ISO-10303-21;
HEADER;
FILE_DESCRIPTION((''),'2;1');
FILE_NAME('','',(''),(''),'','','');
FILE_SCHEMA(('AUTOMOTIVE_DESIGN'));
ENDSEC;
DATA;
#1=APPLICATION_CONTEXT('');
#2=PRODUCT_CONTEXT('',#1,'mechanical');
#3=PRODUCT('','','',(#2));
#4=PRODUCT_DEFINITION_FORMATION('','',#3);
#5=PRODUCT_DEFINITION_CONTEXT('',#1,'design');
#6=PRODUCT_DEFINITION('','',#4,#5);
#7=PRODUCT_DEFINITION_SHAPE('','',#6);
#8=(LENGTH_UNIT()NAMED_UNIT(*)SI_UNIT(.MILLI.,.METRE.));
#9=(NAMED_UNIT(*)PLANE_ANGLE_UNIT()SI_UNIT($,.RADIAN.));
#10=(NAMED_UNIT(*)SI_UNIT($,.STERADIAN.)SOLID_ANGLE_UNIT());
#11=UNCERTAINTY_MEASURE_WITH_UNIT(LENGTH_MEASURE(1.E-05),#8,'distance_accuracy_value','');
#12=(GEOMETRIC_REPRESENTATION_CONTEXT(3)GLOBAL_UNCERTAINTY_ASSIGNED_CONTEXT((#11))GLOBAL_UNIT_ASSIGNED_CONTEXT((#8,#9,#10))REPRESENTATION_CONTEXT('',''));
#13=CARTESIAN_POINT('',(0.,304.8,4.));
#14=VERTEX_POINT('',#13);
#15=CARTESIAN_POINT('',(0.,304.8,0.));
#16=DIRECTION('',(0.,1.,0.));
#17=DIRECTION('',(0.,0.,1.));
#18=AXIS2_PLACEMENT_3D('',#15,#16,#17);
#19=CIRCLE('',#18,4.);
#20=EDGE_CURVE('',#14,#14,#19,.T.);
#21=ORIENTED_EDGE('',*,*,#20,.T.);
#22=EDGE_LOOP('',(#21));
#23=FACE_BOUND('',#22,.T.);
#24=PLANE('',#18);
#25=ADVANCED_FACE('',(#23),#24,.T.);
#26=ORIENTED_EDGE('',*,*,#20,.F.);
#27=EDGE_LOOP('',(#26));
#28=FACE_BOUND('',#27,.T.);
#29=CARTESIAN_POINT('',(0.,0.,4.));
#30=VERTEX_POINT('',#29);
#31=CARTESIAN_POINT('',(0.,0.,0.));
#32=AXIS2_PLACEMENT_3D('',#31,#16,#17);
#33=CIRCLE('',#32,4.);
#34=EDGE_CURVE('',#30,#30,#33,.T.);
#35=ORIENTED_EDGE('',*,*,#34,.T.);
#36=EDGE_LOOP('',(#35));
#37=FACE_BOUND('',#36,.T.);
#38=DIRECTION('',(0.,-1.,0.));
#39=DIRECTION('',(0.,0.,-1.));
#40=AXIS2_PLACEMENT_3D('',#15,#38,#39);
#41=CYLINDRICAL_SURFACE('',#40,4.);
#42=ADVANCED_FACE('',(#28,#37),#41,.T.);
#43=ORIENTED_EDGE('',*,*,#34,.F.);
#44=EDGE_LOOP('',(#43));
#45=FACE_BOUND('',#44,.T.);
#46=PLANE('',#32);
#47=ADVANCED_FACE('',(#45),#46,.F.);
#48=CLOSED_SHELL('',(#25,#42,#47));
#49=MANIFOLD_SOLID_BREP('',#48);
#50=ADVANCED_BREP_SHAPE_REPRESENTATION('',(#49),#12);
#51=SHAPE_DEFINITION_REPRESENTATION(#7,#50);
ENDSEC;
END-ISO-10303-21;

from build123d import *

# Parameters (mm, degrees)
SKETCH1_R           = 4
BOSS_EXTRUDE1_DEPTH = 304.8


with BuildPart() as part:
    # Sketch1 → Boss-Extrude1 (new body)
    with BuildSketch(Plane(origin=(0, 0, 0), x_dir=(1, 0, 0), z_dir=(0, 1, 0))):
        Circle(SKETCH1_R)
    extrude(amount=BOSS_EXTRUDE1_DEPTH)


solid = part.part
